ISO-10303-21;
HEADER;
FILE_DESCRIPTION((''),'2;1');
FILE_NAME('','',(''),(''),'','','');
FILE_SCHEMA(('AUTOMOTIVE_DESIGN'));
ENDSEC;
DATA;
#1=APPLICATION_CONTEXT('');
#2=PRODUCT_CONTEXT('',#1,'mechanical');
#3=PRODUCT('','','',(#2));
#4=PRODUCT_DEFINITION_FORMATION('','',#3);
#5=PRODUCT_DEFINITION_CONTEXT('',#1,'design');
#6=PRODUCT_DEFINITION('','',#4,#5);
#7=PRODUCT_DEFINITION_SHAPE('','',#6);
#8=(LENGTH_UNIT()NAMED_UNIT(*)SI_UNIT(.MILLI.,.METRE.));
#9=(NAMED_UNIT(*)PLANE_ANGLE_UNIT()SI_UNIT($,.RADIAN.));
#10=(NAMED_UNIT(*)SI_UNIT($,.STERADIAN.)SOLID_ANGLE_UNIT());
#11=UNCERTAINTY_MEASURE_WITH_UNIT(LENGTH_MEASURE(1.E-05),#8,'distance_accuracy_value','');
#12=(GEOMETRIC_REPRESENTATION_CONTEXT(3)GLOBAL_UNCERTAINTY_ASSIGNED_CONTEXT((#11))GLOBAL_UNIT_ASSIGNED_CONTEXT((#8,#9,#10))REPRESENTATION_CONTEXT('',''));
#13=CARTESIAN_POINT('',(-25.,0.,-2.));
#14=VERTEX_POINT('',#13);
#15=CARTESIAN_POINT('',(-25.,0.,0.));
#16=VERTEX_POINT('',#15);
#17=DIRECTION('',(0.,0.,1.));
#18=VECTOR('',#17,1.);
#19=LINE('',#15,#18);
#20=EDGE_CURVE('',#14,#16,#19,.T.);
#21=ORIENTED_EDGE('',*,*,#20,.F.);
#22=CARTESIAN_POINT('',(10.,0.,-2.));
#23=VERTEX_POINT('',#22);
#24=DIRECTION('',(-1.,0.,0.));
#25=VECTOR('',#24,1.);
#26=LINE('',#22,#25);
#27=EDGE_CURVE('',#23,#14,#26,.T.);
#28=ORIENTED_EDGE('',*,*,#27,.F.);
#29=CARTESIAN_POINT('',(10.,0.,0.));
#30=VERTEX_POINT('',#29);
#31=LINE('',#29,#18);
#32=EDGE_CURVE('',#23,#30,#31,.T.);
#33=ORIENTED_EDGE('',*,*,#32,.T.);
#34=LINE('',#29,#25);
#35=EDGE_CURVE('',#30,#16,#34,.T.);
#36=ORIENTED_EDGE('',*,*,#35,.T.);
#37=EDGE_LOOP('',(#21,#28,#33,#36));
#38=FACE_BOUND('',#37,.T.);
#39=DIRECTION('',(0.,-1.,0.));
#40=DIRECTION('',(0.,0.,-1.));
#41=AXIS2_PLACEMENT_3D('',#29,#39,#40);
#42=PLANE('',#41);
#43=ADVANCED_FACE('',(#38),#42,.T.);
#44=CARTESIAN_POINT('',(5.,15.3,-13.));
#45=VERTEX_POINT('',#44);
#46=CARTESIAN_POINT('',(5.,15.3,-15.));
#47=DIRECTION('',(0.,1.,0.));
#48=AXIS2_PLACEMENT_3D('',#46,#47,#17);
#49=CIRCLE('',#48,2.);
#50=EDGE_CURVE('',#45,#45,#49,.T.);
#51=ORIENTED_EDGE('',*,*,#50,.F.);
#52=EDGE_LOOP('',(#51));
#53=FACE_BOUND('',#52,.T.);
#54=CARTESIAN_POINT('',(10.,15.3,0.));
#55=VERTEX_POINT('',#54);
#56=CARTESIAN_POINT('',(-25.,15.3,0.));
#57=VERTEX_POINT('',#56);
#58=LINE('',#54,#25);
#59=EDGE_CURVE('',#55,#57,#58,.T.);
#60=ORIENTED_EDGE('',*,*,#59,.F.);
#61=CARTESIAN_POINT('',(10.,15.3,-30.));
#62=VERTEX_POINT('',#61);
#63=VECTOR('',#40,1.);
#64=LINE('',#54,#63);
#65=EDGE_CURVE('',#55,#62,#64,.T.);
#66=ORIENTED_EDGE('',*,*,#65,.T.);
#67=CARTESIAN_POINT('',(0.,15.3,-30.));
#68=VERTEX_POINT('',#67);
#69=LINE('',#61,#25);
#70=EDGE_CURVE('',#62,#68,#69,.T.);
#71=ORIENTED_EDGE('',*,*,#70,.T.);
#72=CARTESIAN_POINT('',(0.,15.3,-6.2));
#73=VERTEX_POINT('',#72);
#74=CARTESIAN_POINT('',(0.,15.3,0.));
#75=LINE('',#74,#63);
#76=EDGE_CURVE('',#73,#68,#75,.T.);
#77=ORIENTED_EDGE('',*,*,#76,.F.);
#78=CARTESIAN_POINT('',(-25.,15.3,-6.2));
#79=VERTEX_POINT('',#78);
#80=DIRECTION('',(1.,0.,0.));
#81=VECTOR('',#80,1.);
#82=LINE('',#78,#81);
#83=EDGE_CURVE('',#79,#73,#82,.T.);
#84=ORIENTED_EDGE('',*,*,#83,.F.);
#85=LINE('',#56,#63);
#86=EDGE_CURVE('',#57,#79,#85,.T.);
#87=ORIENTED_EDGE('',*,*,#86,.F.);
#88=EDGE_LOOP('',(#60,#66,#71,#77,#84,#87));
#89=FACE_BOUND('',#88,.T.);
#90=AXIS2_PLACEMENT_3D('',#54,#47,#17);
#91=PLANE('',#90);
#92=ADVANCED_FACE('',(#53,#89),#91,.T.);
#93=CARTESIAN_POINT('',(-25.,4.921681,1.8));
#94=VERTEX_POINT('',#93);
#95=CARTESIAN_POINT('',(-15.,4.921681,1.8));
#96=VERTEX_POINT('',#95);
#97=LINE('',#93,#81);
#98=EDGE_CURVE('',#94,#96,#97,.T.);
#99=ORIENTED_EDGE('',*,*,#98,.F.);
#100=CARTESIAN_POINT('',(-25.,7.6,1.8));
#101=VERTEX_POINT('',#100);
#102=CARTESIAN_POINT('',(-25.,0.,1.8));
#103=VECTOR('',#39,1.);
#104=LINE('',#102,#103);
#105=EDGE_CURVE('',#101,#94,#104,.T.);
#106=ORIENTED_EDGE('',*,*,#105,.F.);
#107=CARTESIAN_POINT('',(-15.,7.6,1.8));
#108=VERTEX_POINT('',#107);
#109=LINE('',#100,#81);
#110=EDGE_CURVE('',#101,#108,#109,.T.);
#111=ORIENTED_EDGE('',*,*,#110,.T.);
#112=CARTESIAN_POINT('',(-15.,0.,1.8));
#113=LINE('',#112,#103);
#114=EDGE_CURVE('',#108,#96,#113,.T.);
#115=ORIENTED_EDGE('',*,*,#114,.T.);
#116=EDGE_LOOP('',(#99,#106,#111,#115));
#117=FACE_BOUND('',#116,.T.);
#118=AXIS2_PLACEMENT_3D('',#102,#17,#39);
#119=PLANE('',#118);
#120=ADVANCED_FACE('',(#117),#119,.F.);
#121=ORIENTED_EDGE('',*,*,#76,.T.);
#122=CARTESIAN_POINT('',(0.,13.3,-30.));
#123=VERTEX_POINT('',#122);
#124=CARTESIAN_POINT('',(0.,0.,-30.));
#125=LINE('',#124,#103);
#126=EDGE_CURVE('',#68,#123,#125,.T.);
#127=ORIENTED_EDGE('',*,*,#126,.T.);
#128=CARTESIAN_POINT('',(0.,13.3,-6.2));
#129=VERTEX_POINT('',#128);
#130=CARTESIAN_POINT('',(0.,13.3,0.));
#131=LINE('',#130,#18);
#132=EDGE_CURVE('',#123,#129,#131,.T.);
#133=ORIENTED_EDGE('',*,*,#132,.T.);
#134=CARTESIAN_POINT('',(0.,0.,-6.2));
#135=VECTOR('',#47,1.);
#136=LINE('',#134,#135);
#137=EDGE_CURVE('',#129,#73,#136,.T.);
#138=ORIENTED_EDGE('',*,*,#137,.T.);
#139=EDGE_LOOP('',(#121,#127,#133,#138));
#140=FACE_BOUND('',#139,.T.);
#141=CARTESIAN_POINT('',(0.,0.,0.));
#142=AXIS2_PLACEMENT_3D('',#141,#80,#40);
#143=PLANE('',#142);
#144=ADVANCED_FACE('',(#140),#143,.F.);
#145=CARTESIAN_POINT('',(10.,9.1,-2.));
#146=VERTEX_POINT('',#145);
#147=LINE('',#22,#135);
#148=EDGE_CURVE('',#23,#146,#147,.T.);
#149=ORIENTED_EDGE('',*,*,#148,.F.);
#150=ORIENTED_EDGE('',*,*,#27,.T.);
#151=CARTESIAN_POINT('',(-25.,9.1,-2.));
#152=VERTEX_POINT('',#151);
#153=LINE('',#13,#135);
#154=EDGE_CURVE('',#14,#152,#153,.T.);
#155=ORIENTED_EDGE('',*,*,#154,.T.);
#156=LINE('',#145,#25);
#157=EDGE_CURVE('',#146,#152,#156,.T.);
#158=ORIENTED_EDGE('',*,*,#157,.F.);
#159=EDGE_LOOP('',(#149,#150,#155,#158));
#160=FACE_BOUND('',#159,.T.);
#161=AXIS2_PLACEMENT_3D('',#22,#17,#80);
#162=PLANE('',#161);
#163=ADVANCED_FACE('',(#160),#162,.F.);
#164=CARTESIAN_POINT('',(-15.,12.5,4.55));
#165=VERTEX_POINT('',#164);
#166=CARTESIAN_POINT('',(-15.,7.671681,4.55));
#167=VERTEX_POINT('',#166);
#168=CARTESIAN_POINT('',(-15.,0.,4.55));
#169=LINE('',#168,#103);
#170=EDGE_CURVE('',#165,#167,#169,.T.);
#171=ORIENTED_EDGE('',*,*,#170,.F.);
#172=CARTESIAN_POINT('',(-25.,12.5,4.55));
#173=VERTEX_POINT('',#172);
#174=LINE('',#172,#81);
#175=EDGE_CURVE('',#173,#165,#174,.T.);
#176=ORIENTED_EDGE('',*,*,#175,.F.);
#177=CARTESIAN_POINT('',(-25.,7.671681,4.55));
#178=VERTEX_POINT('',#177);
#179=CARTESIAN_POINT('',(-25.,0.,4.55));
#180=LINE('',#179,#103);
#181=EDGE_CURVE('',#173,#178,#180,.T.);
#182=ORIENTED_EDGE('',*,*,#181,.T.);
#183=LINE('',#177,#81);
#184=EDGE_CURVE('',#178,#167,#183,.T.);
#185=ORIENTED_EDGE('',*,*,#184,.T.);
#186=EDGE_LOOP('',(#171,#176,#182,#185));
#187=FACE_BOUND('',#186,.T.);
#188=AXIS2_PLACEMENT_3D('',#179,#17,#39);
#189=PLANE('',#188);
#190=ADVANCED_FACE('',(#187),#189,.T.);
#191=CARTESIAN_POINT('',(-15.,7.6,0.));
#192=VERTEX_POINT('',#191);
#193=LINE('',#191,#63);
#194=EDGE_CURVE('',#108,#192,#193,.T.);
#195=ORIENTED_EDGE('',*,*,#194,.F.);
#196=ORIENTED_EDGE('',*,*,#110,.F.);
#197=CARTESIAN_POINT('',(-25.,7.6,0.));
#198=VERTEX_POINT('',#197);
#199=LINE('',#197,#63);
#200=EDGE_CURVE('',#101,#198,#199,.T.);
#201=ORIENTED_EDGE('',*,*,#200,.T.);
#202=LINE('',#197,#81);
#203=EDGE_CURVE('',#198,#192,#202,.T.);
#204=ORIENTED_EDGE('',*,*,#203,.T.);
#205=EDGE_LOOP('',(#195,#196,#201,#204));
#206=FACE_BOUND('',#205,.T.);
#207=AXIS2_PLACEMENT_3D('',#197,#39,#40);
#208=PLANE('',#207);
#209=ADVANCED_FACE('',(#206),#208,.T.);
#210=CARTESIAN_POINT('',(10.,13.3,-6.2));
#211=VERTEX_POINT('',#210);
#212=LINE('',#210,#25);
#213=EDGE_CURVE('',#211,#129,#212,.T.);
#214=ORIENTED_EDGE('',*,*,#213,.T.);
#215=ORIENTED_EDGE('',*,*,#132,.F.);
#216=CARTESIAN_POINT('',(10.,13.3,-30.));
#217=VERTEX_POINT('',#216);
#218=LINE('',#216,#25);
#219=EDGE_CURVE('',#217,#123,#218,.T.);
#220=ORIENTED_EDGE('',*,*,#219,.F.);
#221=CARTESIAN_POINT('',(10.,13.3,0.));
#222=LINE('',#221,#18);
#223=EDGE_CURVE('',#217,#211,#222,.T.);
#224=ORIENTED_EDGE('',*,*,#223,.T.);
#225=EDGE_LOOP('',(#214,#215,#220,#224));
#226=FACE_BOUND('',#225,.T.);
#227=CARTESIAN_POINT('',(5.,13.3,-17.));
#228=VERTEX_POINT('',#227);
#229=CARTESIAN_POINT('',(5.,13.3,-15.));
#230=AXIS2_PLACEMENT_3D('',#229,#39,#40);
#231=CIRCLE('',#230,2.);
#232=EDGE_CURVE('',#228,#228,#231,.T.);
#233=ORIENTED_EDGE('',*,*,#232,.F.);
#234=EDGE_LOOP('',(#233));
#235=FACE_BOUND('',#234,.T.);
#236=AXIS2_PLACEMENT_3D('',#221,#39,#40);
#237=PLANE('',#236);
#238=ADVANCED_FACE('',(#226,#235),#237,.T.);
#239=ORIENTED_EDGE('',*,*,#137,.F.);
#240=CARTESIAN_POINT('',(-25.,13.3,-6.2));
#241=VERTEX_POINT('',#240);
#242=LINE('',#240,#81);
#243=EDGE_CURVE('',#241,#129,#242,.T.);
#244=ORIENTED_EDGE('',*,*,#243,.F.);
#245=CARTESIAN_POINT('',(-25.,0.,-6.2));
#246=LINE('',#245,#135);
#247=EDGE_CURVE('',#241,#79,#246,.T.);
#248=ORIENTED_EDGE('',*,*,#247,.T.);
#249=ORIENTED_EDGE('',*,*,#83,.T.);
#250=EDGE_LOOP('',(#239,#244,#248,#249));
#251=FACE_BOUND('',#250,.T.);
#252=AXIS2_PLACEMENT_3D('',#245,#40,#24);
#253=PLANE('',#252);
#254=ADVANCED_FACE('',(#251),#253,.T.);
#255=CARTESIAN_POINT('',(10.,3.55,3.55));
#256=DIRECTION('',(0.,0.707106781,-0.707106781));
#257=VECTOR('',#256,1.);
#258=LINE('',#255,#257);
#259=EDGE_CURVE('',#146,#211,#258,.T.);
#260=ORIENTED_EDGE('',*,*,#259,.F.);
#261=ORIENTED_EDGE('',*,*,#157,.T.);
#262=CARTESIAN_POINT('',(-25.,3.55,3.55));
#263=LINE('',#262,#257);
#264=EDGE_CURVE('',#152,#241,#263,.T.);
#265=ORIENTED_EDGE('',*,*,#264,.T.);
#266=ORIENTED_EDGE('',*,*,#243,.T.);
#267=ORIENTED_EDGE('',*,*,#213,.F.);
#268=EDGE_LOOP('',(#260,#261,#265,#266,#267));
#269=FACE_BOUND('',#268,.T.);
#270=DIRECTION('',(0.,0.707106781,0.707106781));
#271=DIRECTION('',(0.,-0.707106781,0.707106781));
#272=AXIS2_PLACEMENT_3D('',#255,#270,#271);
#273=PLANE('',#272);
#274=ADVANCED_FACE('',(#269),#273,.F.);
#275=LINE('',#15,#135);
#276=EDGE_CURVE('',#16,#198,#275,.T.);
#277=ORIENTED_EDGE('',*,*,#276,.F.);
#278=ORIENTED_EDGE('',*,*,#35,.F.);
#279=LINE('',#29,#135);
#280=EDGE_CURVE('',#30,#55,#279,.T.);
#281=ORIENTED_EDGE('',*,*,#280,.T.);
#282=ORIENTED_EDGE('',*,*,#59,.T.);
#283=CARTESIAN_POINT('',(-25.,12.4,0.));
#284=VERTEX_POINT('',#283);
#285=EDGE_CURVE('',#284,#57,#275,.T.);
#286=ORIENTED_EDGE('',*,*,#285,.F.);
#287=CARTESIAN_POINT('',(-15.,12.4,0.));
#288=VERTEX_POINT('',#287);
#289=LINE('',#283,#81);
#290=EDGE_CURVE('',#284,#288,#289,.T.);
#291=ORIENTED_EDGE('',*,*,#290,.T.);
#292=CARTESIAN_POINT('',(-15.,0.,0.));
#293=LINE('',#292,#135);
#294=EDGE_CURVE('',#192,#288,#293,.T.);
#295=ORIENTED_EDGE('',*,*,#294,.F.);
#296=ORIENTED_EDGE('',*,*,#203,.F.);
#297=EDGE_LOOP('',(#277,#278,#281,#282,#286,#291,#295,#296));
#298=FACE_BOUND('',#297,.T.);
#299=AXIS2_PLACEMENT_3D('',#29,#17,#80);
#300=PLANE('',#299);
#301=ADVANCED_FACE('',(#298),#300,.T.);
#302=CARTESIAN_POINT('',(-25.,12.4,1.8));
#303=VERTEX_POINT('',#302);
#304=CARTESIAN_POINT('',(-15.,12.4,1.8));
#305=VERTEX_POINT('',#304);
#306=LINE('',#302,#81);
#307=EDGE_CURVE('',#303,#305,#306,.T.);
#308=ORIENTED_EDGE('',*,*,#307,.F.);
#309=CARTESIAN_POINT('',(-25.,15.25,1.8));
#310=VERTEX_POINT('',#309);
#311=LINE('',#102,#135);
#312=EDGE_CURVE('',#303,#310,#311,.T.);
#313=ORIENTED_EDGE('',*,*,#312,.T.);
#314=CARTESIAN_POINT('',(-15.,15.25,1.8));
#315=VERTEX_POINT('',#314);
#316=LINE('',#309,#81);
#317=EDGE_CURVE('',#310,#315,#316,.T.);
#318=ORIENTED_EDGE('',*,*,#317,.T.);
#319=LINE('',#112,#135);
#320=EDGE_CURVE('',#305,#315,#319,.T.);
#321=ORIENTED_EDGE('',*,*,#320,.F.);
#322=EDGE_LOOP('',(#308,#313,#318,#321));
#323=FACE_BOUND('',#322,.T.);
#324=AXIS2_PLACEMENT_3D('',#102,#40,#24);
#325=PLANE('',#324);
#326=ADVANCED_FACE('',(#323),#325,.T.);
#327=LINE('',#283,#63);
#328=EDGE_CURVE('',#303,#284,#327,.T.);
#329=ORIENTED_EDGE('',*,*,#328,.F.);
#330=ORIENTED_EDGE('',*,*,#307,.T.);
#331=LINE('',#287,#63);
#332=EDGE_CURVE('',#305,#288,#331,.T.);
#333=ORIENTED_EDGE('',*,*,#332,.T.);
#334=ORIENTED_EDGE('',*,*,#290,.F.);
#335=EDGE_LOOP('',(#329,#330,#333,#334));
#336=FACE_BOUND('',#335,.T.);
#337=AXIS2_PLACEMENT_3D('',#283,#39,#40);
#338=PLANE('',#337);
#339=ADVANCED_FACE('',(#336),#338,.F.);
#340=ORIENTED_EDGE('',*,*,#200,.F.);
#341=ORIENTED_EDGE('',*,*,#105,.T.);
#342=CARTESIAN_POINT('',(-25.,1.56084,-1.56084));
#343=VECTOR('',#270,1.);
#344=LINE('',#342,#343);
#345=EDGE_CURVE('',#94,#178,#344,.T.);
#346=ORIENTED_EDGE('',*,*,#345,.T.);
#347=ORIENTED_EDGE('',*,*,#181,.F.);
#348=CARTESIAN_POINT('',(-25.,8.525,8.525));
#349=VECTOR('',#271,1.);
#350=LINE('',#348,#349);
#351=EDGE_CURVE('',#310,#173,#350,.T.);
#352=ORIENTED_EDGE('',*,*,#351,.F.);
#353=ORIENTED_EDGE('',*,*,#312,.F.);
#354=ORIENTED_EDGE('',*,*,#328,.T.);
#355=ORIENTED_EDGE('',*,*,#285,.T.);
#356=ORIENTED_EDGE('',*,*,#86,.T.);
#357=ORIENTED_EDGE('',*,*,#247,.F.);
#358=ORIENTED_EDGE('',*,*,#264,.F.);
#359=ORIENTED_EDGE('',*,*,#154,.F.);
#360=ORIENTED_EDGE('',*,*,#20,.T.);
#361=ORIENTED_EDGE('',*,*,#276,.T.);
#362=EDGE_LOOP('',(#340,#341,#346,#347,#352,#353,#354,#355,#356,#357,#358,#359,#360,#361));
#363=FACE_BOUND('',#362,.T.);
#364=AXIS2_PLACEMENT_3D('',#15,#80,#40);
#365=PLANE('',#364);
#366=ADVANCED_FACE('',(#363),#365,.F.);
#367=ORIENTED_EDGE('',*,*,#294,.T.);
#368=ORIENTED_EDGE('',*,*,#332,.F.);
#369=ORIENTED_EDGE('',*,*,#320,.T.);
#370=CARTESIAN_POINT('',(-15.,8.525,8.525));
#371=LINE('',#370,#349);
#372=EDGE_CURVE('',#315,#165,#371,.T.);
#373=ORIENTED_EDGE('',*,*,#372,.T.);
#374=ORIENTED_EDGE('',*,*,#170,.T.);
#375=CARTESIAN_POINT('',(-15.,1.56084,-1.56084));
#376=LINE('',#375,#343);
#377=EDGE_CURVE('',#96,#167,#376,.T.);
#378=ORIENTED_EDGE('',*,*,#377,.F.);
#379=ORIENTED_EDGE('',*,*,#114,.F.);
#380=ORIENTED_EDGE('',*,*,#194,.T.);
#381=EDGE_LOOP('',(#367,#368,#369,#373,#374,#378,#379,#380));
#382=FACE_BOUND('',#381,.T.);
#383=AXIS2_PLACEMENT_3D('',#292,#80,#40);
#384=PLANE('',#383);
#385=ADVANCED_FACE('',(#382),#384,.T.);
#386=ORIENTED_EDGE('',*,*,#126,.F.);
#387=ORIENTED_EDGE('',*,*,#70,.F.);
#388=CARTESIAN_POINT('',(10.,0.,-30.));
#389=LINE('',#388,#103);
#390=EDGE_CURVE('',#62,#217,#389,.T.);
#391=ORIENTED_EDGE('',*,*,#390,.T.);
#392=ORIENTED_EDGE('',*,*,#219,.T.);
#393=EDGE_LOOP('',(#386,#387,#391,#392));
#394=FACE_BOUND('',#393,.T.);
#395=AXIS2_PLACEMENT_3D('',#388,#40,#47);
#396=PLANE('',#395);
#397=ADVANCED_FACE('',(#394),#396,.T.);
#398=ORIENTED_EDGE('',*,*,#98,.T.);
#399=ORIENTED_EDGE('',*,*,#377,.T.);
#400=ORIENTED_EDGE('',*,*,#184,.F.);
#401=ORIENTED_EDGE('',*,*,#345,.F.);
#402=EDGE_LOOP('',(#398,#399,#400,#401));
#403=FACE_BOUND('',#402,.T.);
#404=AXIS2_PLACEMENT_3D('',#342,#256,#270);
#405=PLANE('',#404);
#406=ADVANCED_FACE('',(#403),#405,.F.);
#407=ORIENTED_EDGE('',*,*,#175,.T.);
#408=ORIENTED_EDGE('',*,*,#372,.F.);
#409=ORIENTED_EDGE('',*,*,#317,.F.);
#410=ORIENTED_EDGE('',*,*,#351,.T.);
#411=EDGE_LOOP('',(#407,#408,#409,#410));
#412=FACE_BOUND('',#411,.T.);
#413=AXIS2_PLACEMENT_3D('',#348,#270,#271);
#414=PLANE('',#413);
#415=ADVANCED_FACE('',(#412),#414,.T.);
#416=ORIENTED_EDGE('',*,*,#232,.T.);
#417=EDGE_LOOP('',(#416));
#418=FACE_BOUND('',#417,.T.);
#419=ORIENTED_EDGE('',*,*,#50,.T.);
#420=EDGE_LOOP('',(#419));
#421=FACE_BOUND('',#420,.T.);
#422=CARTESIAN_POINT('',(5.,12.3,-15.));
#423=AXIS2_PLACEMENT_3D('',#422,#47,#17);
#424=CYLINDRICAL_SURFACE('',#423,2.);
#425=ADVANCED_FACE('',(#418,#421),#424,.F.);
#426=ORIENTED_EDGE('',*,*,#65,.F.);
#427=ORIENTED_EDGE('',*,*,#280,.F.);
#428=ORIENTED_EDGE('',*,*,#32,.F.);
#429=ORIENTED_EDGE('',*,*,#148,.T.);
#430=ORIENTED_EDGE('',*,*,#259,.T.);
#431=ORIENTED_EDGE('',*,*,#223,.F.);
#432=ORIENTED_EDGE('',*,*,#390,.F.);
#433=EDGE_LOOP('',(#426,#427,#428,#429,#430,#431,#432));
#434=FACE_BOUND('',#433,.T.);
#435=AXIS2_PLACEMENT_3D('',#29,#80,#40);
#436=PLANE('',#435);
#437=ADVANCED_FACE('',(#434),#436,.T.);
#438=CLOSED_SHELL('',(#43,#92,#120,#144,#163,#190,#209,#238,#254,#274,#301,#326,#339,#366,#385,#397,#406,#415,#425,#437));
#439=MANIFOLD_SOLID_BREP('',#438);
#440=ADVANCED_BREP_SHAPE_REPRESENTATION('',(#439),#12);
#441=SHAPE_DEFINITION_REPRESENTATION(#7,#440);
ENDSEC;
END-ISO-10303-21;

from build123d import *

# Parameters (mm, degrees)
BOSS_EXTRUDE2_DEPTH = 10
CUT_EXTRUDE9_DEPTH  = 3
BOSS_EXTRUDE3_DEPTH = 25
CUT_EXTRUDE11_DEPTH = 15


with BuildPart() as part:
    # Sketch1 → Boss-Extrude2 (new body)
    with BuildSketch(Plane(origin=(0, 0, 0), x_dir=(0, 0, -1), z_dir=(1, 0, 0))):
        Polygon((0, 0), (2, 0), (2, 9.1), (6.2, 13.3), (30, 13.3), (30, 15.3), (0, 15.3), align=None)
    extrude(amount=BOSS_EXTRUDE2_DEPTH)

    # Sketch2 → Cut-Extrude9 (cut)
    with BuildSketch(Plane(origin=(0, 15.3, 0), x_dir=(1, 0, 0), z_dir=(0, 1, 0))):
        with BuildLine():
            ThreePointArc((7, 15), (5, 17), (3, 15))
            Line((3, 15), (7, 15))
        make_face()
        with BuildLine():
            Line((7, 15), (3, 15))
            ThreePointArc((3, 15), (5, 13), (7, 15))
        make_face()
    extrude(amount=-CUT_EXTRUDE9_DEPTH, mode=Mode.SUBTRACT)

    # Sketch1<14> → Boss-Extrude3 (add)
    with BuildSketch(Plane(origin=(0, 0, 0), x_dir=(0, 0, -1), z_dir=(1, 0, 0))):
        Polygon((0, 7.6), (0, 0), (2, 0), (2, 9.1), (6.2, 13.3), (6.2, 15.3), (0, 15.3), (0, 12.4), (-1.8, 12.4), (-1.8, 15.25), (-4.55, 12.5), (-4.55, 7.671680622), (-1.8, 4.921680622), (-1.8, 7.6), align=None)
    extrude(amount=-BOSS_EXTRUDE3_DEPTH)

    # Sketch1<18> → Cut-Extrude11 (cut)
    with BuildSketch(Plane(origin=(0, 0, 0), x_dir=(0, 0, -1), z_dir=(1, 0, 0))):
        Polygon((-1.8, 7.6), (0, 7.6), (0, 12.4), (-1.8, 12.4), (-1.8, 15.25), (-4.55, 12.5), (-4.55, 7.671680622), (-1.8, 4.921680622), align=None)
    extrude(amount=-CUT_EXTRUDE11_DEPTH, mode=Mode.SUBTRACT)


solid = part.part
